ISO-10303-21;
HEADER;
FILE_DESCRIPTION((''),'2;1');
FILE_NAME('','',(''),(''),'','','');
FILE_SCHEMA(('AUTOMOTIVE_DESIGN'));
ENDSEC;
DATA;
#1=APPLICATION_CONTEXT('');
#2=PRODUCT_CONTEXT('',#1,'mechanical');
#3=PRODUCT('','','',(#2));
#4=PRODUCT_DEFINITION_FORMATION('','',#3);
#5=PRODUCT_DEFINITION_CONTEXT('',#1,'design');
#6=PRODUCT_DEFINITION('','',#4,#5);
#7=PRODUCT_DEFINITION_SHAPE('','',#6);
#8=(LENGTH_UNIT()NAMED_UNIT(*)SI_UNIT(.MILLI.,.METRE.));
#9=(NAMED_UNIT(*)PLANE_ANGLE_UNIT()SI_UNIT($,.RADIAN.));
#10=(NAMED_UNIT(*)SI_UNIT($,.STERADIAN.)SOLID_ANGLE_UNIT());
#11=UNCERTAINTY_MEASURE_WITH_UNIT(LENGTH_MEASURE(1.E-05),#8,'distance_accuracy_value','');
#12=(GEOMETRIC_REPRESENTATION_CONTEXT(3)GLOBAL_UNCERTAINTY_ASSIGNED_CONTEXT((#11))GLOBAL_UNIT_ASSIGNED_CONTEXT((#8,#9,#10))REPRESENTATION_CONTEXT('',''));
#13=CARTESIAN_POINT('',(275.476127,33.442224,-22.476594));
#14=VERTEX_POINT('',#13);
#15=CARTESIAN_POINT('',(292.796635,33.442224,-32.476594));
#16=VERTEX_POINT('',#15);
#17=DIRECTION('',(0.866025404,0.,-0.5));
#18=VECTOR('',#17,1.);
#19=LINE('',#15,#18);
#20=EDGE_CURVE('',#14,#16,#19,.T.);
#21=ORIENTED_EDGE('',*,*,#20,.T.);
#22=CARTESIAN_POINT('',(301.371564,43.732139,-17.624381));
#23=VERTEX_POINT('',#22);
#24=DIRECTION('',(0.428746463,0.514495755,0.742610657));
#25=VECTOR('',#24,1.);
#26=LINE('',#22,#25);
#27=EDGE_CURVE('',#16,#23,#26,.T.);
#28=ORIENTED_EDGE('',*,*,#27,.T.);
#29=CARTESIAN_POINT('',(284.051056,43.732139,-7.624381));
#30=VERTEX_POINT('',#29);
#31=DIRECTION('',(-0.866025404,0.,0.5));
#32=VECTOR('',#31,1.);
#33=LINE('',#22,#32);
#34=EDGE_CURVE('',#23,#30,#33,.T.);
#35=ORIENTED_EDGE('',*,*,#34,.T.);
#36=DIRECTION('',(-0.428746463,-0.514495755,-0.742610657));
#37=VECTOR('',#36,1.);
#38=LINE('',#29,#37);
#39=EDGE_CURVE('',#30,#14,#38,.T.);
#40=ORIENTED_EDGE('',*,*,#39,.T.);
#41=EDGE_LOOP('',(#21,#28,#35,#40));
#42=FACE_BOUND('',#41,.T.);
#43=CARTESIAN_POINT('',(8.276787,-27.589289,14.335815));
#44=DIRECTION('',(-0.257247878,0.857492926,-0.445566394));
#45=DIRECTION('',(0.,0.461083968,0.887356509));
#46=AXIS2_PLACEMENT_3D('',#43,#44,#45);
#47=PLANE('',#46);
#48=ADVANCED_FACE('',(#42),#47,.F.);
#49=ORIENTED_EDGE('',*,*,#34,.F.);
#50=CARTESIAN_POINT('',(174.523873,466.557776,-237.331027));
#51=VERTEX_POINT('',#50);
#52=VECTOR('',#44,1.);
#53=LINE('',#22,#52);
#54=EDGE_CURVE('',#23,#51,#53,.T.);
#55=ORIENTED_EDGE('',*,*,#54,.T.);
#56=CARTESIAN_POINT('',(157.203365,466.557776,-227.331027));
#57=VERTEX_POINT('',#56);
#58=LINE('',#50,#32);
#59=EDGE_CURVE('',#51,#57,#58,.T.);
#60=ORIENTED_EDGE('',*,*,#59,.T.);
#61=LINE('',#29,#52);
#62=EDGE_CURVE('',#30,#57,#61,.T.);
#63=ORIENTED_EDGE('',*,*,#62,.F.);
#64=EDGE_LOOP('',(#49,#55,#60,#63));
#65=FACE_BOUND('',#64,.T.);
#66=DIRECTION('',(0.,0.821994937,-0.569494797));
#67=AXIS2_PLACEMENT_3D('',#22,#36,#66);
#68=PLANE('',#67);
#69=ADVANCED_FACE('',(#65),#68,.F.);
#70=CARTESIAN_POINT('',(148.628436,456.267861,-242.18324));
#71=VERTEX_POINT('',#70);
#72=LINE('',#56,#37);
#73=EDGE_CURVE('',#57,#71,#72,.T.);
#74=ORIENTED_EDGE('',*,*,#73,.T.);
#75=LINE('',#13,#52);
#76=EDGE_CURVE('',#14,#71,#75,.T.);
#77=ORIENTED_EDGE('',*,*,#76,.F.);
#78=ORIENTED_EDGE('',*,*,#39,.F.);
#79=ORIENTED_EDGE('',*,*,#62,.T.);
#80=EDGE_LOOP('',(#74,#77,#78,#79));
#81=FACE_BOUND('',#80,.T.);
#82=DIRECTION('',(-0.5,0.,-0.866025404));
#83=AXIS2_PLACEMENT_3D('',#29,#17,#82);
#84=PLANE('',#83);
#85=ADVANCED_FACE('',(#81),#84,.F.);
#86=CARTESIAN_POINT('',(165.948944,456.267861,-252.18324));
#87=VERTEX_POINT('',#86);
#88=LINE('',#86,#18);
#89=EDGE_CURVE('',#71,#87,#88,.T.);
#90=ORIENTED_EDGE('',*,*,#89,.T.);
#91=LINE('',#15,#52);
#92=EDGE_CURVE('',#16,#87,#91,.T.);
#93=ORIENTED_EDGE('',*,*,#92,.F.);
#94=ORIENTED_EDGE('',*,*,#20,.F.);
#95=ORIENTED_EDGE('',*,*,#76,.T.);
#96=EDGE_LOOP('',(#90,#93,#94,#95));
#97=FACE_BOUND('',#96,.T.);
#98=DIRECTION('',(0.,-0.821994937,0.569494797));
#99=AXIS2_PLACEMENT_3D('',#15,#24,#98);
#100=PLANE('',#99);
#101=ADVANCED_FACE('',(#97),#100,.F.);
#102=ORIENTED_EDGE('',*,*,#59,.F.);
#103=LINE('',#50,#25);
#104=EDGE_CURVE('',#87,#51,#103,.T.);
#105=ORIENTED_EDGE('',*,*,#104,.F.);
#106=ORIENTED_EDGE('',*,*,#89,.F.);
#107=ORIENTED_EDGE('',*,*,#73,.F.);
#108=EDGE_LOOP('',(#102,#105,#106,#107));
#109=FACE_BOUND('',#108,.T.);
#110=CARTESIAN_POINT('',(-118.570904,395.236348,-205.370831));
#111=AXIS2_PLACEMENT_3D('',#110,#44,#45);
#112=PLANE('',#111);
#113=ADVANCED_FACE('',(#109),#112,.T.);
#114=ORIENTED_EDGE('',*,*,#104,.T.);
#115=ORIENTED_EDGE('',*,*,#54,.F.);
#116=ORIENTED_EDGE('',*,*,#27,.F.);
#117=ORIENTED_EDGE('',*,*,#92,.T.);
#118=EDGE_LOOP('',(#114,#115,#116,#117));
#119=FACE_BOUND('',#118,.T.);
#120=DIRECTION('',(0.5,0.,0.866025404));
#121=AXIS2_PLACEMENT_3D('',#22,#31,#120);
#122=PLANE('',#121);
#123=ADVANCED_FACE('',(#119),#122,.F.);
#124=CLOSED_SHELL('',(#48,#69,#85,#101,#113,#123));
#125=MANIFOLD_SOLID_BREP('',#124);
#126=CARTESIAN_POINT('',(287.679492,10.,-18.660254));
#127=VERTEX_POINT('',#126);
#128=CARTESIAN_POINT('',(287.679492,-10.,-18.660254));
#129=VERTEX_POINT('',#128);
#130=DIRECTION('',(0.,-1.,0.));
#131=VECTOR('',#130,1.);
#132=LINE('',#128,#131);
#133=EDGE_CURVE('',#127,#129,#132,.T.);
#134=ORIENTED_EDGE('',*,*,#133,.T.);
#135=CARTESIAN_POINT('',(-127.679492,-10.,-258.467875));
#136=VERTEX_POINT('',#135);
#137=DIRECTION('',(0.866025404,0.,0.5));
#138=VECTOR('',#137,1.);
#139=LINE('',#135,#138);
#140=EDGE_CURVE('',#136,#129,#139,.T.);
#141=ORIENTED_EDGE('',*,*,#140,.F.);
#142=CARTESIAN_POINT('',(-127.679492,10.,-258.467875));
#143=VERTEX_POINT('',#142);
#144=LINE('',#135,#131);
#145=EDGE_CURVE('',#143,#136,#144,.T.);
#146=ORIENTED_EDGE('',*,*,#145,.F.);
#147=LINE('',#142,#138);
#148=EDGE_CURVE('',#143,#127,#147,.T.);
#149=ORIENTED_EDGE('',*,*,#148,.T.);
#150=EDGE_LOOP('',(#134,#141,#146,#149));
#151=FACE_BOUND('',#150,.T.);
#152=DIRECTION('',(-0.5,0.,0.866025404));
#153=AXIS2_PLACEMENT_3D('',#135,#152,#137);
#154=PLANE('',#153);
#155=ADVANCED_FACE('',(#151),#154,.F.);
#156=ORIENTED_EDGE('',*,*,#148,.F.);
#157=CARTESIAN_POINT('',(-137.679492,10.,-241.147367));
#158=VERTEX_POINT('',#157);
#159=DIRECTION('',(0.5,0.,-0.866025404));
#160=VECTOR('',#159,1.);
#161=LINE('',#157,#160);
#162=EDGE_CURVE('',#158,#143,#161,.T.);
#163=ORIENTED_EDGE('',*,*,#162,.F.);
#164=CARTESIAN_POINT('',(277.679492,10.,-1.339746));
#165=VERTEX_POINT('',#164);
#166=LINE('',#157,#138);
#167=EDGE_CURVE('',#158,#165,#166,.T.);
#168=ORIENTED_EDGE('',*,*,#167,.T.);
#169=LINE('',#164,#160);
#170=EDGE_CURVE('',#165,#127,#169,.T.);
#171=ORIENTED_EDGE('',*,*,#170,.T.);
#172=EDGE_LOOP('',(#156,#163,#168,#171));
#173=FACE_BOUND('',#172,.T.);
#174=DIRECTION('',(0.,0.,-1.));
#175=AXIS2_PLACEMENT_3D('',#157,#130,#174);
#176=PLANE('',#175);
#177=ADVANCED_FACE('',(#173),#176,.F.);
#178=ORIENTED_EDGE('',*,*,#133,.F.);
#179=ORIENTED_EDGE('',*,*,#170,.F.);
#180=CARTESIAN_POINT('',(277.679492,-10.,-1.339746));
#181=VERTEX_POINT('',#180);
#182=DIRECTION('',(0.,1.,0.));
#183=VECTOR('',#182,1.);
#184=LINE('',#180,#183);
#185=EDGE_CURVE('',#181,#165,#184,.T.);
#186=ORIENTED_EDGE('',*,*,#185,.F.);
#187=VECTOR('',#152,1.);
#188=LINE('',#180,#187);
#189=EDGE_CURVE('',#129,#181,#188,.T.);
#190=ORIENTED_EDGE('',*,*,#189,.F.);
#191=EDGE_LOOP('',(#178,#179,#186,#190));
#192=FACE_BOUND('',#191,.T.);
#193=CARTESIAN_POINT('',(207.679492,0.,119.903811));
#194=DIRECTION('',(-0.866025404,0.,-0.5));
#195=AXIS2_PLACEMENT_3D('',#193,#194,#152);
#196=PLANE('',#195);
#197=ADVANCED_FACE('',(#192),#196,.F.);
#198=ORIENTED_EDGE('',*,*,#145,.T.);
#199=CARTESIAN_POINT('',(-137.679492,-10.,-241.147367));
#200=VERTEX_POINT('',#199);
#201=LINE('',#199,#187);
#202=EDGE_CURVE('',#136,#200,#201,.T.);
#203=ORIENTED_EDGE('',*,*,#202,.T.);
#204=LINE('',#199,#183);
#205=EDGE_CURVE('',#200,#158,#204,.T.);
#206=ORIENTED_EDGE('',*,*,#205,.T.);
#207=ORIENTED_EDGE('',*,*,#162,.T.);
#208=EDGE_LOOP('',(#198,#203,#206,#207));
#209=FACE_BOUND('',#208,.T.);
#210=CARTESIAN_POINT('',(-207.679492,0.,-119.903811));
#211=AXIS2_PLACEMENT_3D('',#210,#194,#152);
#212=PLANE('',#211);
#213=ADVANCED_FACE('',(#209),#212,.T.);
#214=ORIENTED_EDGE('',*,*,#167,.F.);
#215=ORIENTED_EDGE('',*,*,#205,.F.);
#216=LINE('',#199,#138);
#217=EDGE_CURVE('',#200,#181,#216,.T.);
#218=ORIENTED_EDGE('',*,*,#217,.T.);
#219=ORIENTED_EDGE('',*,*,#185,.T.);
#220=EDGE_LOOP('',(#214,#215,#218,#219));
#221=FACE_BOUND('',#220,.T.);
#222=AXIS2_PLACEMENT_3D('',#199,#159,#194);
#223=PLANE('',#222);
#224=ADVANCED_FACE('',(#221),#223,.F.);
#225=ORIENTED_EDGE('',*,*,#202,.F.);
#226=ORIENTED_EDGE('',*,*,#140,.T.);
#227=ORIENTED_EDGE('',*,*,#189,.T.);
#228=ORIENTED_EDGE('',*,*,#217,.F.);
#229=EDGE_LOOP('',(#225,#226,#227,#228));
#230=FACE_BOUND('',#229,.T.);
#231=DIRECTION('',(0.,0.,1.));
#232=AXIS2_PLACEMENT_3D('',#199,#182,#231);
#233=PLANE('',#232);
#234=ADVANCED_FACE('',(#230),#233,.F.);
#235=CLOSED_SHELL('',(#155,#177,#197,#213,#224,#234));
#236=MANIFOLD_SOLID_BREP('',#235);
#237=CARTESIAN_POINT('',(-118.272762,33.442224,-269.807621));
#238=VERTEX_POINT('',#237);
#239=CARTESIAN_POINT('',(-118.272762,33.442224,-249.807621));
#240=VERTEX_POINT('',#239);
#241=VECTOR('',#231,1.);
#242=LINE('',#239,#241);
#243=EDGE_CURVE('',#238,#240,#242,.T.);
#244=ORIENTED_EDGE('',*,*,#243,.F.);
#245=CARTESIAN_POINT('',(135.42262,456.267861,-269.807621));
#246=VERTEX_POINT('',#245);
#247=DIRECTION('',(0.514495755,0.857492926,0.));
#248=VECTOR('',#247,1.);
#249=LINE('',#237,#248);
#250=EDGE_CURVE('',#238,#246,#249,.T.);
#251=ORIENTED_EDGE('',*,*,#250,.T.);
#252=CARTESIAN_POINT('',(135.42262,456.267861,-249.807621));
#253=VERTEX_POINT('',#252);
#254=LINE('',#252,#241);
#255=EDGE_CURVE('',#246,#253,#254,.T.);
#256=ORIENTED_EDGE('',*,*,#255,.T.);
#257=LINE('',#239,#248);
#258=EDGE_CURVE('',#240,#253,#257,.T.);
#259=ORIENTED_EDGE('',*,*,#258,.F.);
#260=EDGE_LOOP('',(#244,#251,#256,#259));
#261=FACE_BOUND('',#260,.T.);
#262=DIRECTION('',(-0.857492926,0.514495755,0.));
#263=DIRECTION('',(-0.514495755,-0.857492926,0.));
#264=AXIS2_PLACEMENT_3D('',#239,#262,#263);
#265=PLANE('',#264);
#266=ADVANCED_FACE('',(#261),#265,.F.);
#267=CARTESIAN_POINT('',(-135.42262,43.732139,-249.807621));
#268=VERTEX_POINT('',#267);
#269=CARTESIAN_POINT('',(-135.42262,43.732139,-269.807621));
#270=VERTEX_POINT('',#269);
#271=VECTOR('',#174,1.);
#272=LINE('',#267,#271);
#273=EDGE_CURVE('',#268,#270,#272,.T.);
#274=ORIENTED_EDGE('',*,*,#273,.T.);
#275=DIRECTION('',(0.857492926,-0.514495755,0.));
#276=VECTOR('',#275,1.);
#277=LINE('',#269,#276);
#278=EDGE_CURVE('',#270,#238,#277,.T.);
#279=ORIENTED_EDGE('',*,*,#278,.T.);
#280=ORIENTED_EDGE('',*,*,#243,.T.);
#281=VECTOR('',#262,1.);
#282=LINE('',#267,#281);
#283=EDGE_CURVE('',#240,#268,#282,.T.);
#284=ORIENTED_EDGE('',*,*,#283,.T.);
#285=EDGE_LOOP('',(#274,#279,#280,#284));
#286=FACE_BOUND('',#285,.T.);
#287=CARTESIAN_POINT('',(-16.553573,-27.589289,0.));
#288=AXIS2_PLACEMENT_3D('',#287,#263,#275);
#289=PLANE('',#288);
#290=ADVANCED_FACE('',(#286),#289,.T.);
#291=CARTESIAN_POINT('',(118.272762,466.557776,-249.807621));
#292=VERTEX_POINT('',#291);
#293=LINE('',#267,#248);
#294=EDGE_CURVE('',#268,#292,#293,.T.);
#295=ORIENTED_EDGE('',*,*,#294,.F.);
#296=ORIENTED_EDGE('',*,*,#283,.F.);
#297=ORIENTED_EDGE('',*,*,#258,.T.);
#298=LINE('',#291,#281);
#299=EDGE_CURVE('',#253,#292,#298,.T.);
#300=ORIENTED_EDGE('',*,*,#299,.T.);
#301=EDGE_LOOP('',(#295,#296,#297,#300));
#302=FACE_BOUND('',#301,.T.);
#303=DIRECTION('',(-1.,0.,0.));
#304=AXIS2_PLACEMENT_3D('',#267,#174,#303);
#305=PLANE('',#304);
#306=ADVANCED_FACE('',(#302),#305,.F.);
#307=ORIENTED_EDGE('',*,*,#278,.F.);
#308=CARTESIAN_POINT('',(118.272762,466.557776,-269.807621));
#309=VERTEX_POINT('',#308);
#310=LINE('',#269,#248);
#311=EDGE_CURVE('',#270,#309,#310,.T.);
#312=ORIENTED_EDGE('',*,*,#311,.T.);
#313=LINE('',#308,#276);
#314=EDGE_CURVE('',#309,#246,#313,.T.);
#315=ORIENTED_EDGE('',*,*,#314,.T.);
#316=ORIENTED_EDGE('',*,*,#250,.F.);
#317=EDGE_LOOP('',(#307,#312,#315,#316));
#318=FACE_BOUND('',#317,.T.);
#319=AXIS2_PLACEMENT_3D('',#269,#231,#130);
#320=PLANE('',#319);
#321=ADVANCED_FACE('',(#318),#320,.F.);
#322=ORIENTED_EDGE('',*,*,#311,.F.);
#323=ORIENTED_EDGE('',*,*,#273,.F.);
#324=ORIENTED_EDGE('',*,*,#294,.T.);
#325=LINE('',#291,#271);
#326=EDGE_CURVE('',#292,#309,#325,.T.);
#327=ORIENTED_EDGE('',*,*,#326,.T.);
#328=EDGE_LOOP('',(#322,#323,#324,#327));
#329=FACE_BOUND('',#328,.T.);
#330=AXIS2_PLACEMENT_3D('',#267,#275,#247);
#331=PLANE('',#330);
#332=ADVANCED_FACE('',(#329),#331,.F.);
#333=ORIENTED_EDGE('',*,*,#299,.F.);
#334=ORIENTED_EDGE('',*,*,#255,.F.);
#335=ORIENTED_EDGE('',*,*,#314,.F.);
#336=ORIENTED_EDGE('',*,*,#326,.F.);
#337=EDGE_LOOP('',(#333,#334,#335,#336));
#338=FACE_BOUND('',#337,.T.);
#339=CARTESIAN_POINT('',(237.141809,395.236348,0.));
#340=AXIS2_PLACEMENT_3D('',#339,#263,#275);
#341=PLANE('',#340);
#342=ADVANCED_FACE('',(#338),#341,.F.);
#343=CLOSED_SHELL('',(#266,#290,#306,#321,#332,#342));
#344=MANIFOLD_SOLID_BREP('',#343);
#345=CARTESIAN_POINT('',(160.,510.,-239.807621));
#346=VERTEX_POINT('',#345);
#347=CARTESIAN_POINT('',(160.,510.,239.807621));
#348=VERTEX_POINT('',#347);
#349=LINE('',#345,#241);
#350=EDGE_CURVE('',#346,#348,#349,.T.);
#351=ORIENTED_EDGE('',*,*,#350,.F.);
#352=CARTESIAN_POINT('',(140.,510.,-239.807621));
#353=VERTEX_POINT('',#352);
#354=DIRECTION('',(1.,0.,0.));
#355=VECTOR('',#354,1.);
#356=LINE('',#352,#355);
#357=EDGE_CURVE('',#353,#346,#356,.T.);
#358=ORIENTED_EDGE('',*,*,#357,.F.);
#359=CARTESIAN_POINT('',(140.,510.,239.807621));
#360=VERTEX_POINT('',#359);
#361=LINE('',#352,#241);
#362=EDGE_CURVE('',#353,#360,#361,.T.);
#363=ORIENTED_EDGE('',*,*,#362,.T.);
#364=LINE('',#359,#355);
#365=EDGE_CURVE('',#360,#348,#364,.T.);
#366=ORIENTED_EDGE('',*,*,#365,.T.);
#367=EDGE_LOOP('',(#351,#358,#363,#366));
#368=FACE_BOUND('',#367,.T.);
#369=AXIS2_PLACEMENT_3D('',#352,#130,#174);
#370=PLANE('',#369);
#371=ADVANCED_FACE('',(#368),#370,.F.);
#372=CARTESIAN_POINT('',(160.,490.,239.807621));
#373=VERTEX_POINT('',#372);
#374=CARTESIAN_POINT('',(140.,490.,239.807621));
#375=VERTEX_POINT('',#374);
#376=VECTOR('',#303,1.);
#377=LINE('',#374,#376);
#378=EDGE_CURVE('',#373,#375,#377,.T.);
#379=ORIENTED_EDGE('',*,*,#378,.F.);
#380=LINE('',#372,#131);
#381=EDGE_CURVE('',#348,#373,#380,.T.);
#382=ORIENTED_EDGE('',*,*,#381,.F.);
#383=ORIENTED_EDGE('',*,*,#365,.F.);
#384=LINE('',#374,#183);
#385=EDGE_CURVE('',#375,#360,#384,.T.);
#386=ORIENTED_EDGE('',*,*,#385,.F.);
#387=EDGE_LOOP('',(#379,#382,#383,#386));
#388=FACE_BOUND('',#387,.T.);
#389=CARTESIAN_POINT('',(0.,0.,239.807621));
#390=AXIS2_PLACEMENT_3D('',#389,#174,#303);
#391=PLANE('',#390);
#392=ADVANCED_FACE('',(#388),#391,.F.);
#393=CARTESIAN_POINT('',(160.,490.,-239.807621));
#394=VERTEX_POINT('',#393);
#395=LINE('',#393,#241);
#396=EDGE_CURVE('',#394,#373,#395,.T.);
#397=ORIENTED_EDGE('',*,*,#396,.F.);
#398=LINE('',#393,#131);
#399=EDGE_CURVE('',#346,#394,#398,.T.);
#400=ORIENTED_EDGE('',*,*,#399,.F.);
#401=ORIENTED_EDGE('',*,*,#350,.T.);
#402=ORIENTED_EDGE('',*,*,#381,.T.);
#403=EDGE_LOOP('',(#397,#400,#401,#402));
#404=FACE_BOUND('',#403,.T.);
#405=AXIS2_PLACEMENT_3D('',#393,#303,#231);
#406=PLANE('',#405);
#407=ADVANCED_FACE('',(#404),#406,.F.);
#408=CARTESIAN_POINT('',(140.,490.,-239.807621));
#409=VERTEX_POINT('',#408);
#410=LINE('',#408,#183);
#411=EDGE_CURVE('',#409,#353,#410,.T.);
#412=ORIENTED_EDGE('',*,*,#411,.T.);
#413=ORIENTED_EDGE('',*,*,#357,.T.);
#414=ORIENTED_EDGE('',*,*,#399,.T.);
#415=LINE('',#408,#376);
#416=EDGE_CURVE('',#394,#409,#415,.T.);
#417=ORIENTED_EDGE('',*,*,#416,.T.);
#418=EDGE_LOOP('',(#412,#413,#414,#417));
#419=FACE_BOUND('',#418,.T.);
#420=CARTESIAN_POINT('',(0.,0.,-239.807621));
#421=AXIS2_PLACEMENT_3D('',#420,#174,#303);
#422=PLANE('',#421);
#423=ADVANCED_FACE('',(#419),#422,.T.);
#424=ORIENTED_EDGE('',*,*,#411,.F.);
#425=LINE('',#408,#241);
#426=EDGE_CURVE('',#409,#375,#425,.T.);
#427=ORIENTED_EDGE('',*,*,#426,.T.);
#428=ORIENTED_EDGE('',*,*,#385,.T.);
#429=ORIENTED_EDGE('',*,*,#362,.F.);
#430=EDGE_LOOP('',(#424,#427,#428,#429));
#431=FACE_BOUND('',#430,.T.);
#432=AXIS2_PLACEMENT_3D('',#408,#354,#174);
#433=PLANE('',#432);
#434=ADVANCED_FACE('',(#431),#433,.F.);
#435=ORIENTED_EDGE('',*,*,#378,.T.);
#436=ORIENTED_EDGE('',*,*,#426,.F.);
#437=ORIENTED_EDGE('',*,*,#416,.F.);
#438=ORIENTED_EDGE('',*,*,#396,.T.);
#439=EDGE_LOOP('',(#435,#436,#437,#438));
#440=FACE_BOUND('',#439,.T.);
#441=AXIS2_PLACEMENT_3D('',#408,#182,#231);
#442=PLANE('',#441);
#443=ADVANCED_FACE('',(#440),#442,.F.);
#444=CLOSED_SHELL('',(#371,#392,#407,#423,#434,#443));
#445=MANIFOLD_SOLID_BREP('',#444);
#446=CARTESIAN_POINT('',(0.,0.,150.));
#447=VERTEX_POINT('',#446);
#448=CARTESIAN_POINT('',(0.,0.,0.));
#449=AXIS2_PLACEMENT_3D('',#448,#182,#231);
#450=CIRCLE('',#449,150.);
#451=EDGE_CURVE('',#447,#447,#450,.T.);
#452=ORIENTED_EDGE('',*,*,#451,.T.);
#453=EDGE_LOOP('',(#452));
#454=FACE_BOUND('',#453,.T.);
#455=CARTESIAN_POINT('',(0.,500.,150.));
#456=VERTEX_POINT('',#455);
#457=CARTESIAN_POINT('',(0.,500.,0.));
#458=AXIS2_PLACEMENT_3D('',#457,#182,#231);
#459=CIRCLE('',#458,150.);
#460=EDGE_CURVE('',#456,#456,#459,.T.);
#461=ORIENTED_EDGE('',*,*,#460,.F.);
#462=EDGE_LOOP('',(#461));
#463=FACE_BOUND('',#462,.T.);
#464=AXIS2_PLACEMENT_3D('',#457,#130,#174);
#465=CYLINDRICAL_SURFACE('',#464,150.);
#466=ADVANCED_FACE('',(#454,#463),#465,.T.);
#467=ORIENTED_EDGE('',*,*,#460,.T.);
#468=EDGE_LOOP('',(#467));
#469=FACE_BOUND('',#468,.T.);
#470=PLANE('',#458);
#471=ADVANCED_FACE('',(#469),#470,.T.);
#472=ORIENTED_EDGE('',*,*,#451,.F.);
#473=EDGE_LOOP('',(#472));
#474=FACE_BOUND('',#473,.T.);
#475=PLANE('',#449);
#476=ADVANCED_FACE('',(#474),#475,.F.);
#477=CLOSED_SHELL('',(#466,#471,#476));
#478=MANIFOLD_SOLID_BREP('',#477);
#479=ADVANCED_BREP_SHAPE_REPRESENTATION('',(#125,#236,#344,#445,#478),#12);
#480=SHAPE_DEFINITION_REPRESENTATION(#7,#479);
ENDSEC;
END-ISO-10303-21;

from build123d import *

# Parameters (mm, degrees)
CROQUIS4_R              = 150
SALIENTE_EXTRUIR1_DEPTH = 500
CROQUIS5_W              = 20
CROQUIS5_H              = 20
SALIENTE_EXTRUIR2_DEPTH = 246.547594742
CROQUIS6_W              = 20
CROQUIS6_H              = 20
SALIENTE_EXTRUIR3_DEPTH = 239.807621135
SALIENTE_EXTRUIR4_DEPTH = 246.547594742
CROQUIS8_W              = 20
CROQUIS8_H              = 20
SALIENTE_EXTRUIR5_DEPTH = 239.807621135


with BuildPart() as part:
    # Croquis4 → Saliente-Extruir1 (new body)
    with BuildSketch(Plane(origin=(0, 0, 0), x_dir=(1, 0, 0), z_dir=(0, 1, 0))):
        with Locations(Location((0, 0, 0), (0, 0, 270))):
            Circle(CROQUIS4_R)
    extrude(amount=SALIENTE_EXTRUIR1_DEPTH)


with BuildPart() as body_2:
    # Croquis5 → Saliente-Extruir2 (new, symmetric)
    with BuildSketch(Plane(origin=(110.294117647, 183.823529412, 0), x_dir=(-0.8574929257125442, 0.5144957554275267, 0), z_dir=(-0.5144957554275266, -0.8574929257125441, 0))):
        with Locations((128.623938857, 259.807621135)):
            Rectangle(CROQUIS5_W, CROQUIS5_H)
    extrude(amount=SALIENTE_EXTRUIR2_DEPTH, both=True)


with BuildPart() as body_3:
    # Croquis6 → Saliente-Extruir3 (new, symmetric)
    with BuildSketch(Plane(origin=(0, 0, 0), x_dir=(-1, 0, 0), z_dir=(0, 0, -1))):
        with Locations((-150, 500)):
            Rectangle(CROQUIS6_W, CROQUIS6_H)
    extrude(amount=SALIENTE_EXTRUIR3_DEPTH, both=True)


with BuildPart() as body_4:
    # Croquis7 → Saliente-Extruir4 (new, symmetric)
    with BuildSketch(Plane(origin=(-55.147058824, 183.823529412, -95.51750777), x_dir=(-0.9658390305087126, -0.24307639633206138, 0.08982668140485241), z_dir=(0.257247877713763, -0.8574929257125443, 0.4455663943395036))):
        Polygon((-303.289809836, 5.295290027), (-285.662720294, -4.153821798), (-276.213608469, 13.473267744), (-293.840698011, 22.922379569), align=None)
    extrude(amount=SALIENTE_EXTRUIR4_DEPTH, both=True)


with BuildPart() as body_5:
    # Croquis8 → Saliente-Extruir5 (new, symmetric)
    with BuildSketch(Plane(origin=(0, 0, 0), x_dir=(-0.5000000000000003, 0, 0.8660254037844386), z_dir=(-0.8660254037844385, 0, -0.5000000000000002))):
        with Locations((-150, 0)):
            Rectangle(CROQUIS8_W, CROQUIS8_H)
    extrude(amount=SALIENTE_EXTRUIR5_DEPTH, both=True)


solid = Compound([part.part, body_2.part, body_3.part, body_4.part, body_5.part])
